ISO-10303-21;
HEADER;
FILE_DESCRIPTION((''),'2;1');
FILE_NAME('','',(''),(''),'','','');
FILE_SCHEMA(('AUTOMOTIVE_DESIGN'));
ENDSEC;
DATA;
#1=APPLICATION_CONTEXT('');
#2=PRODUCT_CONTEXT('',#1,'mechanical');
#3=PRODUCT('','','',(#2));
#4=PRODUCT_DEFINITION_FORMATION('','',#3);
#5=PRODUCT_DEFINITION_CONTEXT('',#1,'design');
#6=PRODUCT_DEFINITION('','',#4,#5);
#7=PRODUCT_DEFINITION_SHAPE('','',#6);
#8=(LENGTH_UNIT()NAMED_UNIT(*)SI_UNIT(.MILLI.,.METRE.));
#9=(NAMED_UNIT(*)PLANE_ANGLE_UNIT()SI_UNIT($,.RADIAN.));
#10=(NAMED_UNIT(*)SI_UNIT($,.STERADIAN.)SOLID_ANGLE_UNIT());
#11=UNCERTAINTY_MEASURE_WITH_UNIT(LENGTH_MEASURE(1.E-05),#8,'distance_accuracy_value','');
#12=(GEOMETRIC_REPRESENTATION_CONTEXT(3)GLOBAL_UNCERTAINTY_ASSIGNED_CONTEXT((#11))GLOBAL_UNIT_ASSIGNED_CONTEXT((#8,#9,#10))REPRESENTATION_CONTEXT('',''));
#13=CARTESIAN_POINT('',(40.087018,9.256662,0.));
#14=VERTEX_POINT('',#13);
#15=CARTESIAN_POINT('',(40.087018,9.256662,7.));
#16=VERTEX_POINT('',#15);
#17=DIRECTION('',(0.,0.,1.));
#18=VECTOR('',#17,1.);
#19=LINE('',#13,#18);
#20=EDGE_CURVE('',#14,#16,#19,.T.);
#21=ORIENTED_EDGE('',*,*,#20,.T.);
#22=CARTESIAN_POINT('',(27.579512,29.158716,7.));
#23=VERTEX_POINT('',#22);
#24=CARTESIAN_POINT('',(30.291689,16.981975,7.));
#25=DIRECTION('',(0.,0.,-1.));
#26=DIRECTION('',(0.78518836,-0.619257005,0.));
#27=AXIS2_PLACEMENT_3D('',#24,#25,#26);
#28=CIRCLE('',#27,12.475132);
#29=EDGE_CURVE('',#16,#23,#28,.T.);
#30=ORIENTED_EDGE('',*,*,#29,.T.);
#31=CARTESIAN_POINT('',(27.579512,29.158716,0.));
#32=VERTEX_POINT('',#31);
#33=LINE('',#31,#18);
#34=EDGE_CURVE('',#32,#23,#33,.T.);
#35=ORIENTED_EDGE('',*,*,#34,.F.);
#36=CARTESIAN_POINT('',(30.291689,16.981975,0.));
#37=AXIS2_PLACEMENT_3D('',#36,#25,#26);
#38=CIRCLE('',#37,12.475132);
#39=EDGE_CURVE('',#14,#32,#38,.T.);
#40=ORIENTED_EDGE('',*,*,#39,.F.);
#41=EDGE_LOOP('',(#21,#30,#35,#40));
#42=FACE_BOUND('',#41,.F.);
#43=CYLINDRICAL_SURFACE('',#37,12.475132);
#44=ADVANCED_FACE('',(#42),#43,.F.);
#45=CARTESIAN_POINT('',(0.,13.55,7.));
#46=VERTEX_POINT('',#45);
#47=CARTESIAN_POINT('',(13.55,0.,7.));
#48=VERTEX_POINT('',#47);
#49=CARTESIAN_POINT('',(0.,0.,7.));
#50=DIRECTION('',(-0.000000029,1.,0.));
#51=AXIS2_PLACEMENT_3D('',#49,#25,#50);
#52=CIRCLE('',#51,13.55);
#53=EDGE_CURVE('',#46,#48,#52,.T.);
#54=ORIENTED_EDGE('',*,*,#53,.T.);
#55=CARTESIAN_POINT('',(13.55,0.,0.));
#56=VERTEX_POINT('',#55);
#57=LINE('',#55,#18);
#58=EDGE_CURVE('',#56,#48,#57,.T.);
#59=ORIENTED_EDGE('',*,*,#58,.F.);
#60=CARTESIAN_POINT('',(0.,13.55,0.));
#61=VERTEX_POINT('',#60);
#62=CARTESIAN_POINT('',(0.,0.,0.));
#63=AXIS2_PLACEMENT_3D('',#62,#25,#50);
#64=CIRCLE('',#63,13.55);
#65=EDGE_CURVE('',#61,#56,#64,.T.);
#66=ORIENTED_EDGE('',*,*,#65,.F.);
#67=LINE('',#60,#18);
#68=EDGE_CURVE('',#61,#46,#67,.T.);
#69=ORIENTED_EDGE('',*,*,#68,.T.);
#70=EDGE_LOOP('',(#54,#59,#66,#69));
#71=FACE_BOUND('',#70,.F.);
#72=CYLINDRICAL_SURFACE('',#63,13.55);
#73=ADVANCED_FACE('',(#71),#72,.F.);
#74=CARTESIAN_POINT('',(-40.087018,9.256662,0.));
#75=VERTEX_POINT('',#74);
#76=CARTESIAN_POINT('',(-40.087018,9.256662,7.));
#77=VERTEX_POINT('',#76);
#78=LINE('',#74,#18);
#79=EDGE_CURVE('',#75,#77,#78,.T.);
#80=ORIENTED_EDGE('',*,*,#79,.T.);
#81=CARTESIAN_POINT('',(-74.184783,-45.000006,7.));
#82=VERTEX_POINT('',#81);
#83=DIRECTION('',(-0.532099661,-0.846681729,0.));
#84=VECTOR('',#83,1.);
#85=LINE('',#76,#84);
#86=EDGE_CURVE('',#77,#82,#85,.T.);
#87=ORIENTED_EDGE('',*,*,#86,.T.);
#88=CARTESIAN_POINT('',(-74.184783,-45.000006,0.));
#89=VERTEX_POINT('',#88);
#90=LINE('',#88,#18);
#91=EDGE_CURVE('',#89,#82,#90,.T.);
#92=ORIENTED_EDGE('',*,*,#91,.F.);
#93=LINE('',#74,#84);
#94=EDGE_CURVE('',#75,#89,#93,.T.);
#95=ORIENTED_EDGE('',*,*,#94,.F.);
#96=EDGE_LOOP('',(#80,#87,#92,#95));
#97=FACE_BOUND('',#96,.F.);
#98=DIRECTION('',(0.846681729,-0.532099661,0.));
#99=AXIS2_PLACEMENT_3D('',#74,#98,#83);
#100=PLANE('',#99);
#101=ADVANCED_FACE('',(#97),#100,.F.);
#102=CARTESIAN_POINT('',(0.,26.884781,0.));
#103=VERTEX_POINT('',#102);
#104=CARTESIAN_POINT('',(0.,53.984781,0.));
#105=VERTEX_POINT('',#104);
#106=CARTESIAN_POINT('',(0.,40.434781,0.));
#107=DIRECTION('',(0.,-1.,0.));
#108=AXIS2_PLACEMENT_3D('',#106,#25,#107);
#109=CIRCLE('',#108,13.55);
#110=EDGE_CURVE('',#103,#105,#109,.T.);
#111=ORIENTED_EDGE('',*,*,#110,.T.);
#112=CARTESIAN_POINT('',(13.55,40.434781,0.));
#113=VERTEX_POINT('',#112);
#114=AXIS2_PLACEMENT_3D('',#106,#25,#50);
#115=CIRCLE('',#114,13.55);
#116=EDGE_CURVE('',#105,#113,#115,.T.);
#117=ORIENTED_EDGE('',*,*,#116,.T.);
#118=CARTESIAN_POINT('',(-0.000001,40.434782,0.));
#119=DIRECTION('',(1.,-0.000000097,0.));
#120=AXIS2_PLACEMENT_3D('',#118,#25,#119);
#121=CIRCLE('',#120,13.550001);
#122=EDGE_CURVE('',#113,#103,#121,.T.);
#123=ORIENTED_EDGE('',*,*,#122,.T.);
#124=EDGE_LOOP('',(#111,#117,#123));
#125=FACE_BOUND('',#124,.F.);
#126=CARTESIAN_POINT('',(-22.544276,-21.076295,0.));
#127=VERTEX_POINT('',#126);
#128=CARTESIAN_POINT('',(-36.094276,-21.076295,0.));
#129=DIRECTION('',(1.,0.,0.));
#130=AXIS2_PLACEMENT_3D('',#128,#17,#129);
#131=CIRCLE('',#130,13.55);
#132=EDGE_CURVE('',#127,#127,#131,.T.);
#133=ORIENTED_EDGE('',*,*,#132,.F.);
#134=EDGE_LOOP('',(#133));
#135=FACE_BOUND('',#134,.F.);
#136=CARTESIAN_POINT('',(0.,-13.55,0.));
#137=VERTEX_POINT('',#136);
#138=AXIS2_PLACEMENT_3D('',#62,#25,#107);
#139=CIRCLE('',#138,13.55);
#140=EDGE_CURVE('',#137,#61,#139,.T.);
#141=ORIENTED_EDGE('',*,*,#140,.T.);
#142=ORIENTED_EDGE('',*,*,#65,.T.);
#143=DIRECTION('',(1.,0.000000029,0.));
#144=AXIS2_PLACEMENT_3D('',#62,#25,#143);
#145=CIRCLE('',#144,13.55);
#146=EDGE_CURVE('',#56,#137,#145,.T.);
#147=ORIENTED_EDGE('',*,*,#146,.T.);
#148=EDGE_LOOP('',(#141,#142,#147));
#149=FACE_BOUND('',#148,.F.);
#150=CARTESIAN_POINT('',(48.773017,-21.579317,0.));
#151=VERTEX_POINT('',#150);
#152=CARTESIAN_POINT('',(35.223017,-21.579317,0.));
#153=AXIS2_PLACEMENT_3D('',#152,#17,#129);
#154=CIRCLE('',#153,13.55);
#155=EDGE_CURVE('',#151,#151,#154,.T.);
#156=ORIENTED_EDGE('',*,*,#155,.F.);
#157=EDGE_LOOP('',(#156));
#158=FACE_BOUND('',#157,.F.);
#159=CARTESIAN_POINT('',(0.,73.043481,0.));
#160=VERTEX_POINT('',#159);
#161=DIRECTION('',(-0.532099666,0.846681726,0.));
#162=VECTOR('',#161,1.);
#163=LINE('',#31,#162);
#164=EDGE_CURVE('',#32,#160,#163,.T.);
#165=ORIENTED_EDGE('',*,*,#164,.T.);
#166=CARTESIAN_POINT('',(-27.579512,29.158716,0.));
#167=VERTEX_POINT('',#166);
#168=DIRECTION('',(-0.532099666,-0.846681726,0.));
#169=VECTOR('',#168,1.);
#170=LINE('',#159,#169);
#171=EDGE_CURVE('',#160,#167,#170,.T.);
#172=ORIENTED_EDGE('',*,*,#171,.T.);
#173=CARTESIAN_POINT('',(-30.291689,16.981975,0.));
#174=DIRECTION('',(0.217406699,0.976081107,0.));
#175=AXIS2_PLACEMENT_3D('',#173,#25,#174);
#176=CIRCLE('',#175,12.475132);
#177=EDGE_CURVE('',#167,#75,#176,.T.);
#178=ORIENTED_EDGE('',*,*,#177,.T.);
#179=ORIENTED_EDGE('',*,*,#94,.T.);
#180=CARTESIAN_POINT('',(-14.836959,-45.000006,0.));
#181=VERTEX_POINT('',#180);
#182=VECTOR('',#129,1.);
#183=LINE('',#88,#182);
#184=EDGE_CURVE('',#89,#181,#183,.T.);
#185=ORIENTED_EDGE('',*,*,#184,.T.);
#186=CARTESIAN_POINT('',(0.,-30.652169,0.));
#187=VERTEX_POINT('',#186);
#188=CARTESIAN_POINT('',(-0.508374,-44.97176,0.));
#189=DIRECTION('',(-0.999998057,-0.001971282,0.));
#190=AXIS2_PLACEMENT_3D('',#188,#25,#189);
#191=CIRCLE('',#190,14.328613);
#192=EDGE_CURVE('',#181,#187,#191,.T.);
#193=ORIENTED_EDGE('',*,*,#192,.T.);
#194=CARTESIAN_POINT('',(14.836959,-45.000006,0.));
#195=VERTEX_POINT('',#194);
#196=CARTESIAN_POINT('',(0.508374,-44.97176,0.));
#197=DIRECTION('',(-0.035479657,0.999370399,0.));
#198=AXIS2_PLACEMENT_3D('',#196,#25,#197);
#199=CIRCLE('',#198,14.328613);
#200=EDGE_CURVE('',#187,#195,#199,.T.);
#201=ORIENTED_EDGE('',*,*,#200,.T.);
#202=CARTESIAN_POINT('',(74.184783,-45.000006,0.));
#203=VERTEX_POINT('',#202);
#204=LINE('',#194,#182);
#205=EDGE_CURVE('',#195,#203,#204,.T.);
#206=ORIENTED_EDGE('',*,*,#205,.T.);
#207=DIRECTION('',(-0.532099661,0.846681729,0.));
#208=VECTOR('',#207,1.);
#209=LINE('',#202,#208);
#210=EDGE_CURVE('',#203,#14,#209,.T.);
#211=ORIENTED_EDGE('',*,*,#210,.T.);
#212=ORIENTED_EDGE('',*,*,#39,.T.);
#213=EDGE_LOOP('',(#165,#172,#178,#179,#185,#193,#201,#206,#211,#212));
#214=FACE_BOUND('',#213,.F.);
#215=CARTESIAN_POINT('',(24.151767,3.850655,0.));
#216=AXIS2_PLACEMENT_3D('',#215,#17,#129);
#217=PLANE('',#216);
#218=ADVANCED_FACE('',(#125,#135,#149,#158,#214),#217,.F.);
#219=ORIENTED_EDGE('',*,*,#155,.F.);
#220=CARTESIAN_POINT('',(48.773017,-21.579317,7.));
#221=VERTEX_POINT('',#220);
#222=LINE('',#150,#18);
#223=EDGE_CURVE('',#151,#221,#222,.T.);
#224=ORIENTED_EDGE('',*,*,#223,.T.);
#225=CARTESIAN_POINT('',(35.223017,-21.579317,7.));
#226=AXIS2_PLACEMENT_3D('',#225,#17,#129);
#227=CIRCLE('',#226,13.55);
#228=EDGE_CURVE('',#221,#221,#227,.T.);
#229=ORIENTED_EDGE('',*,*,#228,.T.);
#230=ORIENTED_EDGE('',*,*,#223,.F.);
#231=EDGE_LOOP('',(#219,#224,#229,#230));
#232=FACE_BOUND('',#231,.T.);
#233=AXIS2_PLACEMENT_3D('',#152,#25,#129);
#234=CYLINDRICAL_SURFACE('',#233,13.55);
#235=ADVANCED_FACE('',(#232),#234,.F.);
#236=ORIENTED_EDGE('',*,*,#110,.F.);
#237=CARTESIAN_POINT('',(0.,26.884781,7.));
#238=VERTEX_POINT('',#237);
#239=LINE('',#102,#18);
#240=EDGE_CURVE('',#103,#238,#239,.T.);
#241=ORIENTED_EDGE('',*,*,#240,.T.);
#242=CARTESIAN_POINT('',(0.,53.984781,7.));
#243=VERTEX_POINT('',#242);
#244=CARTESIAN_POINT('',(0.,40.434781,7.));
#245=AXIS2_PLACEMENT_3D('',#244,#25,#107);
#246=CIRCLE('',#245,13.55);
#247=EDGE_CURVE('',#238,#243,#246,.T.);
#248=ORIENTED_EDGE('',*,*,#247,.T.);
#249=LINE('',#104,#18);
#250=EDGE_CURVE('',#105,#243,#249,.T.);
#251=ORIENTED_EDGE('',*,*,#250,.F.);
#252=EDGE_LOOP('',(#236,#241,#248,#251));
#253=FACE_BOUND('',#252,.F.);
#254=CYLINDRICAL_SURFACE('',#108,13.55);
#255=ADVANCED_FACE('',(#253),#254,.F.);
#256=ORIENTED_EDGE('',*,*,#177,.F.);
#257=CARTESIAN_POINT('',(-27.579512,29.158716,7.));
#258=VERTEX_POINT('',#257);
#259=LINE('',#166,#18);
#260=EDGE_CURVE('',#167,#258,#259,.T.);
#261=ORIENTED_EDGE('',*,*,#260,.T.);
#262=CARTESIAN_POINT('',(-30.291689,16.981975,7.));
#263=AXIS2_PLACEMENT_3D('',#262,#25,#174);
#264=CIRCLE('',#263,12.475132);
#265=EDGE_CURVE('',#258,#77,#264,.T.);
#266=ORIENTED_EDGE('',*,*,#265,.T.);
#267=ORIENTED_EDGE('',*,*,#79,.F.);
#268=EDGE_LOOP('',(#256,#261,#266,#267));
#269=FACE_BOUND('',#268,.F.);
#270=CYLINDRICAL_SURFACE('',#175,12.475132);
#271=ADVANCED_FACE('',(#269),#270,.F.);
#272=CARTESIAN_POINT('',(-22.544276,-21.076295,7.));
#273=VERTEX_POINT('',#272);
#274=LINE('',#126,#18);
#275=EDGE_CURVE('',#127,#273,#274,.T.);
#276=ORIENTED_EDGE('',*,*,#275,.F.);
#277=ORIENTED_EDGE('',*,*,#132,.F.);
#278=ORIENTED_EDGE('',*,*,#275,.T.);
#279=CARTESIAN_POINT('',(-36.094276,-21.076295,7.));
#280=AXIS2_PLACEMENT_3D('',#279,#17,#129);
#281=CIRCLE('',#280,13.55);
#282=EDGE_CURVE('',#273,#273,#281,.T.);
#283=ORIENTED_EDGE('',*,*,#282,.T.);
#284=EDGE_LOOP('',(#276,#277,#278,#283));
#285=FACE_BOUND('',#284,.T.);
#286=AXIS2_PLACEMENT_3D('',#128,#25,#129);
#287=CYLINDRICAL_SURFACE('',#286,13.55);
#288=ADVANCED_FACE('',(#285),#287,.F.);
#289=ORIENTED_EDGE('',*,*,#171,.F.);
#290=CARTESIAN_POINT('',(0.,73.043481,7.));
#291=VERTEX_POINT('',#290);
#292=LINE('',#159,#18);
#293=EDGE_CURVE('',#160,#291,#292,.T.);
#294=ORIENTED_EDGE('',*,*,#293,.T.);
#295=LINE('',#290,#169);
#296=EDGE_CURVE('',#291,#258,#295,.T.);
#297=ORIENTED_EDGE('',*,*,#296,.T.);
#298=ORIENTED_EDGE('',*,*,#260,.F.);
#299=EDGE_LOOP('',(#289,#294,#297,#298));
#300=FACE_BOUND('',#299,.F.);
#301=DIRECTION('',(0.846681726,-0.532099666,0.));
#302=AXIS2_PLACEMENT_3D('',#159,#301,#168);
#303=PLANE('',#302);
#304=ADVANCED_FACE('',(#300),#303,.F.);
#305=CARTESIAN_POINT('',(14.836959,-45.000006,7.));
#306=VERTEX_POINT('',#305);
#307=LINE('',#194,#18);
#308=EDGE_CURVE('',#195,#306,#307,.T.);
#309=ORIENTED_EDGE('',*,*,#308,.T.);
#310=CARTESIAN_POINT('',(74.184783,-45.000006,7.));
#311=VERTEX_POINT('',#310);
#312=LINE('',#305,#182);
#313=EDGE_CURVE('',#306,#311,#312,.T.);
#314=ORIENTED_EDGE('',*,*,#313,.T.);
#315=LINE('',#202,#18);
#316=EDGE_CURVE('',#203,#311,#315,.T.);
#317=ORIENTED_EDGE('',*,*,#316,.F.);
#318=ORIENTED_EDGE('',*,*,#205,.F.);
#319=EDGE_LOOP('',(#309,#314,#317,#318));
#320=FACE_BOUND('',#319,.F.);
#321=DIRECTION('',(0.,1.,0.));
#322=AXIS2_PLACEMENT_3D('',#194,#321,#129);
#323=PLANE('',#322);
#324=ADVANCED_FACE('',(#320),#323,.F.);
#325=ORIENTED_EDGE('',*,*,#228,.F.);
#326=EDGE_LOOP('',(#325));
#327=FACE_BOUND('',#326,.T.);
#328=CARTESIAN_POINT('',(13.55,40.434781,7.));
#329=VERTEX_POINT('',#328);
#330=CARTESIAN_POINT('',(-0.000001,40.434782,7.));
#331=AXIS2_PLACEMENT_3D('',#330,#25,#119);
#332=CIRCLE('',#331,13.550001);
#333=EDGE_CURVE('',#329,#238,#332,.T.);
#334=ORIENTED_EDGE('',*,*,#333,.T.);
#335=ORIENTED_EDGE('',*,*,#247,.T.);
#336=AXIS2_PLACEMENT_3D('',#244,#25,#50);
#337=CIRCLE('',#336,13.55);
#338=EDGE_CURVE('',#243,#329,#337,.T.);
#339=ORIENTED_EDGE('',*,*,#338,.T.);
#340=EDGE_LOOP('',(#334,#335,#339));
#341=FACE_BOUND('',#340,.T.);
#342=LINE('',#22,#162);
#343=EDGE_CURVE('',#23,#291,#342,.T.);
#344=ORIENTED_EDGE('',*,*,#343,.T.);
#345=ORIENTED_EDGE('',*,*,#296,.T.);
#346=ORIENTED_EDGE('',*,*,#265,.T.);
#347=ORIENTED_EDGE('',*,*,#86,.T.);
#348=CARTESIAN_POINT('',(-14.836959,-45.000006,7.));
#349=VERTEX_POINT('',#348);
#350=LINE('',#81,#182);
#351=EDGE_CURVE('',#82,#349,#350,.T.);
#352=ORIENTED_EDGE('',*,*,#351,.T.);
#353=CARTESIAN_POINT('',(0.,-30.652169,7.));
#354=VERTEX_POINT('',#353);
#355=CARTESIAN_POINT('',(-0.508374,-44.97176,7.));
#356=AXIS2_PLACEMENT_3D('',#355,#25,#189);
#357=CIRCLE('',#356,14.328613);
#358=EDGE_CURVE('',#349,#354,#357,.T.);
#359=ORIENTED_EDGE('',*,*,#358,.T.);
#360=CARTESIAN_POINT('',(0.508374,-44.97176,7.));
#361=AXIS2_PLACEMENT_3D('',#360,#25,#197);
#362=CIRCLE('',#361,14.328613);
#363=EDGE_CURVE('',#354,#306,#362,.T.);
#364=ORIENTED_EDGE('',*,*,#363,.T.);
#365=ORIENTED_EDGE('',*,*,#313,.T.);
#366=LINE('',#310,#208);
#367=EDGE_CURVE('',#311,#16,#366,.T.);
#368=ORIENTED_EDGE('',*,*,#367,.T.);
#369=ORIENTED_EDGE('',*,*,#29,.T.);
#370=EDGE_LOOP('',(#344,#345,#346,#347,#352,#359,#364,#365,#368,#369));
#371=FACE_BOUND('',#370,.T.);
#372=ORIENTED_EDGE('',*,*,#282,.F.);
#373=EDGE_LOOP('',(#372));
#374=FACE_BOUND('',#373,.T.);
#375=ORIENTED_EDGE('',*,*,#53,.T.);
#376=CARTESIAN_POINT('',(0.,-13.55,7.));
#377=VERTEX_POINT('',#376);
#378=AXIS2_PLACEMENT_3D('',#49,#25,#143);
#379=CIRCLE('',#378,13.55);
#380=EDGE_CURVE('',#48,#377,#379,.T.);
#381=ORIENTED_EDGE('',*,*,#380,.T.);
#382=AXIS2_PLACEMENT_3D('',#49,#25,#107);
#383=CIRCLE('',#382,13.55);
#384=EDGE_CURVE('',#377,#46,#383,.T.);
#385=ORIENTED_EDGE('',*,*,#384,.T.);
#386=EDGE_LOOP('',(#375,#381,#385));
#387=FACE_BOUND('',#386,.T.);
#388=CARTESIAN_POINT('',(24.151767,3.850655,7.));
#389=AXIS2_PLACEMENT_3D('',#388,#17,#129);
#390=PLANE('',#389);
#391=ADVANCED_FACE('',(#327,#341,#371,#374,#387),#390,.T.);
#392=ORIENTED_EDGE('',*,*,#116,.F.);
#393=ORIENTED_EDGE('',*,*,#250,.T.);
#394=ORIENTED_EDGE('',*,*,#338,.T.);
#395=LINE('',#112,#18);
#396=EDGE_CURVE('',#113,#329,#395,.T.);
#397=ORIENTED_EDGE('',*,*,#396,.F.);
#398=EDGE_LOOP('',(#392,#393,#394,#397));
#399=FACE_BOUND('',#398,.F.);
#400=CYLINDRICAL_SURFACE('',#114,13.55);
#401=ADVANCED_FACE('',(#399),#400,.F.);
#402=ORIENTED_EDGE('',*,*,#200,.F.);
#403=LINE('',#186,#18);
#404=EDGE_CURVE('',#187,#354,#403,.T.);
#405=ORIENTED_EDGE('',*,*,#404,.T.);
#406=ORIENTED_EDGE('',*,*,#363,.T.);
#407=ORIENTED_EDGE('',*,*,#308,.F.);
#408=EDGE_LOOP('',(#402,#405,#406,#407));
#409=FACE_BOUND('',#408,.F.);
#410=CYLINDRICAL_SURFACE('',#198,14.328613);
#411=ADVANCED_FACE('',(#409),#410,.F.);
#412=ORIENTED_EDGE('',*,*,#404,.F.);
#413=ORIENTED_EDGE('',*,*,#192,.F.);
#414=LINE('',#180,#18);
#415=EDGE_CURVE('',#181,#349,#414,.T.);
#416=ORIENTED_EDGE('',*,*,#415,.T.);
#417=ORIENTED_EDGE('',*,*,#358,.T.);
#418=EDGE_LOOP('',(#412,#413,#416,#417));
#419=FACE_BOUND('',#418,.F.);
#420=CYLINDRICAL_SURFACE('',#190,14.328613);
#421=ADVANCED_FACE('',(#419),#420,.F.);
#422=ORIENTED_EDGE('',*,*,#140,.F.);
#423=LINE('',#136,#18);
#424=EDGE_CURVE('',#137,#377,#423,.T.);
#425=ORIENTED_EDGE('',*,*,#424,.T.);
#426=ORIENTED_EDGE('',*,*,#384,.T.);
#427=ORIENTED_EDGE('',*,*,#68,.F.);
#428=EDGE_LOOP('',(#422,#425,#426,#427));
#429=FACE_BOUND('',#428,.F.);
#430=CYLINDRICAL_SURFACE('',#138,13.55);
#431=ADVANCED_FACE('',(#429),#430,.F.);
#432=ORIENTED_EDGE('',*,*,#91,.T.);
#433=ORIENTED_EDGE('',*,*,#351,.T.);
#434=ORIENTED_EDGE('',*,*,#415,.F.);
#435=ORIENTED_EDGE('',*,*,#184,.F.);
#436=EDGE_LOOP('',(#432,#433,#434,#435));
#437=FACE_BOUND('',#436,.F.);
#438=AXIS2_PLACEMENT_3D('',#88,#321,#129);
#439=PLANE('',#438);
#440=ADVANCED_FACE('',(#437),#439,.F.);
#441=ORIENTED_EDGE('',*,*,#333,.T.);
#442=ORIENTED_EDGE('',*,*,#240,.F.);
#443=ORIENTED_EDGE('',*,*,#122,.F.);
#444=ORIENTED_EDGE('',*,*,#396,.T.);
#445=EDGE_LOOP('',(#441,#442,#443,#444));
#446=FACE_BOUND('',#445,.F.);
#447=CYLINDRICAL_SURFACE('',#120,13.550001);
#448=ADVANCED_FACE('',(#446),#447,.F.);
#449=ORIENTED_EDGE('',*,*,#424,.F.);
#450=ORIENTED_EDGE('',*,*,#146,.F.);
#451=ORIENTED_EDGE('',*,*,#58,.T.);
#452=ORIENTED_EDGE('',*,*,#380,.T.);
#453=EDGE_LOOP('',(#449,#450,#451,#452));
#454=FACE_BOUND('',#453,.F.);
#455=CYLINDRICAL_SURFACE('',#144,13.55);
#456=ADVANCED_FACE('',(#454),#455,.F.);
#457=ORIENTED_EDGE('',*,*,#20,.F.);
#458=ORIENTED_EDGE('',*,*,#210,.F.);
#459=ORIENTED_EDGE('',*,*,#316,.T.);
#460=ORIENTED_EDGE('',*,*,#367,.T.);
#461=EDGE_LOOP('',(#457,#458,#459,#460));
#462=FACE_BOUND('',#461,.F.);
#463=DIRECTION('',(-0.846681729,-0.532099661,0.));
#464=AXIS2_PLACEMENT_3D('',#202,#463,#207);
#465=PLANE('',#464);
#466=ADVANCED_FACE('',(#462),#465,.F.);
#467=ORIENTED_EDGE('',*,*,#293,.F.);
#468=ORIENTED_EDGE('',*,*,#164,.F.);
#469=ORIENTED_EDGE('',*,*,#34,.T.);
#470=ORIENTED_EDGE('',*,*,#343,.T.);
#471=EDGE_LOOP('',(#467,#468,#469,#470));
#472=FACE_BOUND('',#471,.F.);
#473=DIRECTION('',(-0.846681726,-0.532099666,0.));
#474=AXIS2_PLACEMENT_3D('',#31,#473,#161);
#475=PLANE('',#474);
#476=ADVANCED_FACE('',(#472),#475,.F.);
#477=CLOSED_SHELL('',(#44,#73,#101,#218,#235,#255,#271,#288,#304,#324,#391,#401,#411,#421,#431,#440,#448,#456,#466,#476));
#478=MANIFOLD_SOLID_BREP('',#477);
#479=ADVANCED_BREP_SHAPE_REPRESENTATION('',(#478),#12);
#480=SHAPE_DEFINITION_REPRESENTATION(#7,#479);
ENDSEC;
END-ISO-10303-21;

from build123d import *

# Parameters (mm, degrees)
F0_R     = 13.55
F1_DEPTH = 7


with BuildPart() as f1:
    # F0 (on Top) → F1 (new body)
    with BuildSketch(Plane.XY):
        with BuildLine():
            Line((0, 26.884781), (0, 13.55))
            ThreePointArc((0, 13.55), (9.581297, 9.581297), (13.55, 0))
            ThreePointArc((13.55, 0), (9.581297, -9.581297), (0, -13.55))
            Line((0, -13.55), (0, -30.652169))
            ThreePointArc((0, -30.652169), (10.46903, -34.671543), (14.836959, -45.000006))
            Line((14.836959, -45.000006), (74.184783, -45.000006))
            Line((74.184783, -45.000006), (40.087018, 9.256662))
            ThreePointArc((40.087018, 9.256662), (19.729223, 10.343961), (27.579512, 29.158716))
            Line((27.579512, 29.158716), (0, 73.043481))
            Line((0, 73.043481), (0, 53.984781))
            ThreePointArc((0, 53.984781), (9.581297, 50.016078), (13.55, 40.434781))
            ThreePointArc((13.55, 40.434781), (9.581297, 30.853485), (0, 26.884781))
        make_face()
        with Locations((35.223017, -21.579317)):
            Circle(F0_R, mode=Mode.SUBTRACT)
        with BuildLine():
            ThreePointArc((0, -13.55), (-13.55, 0), (0, 13.55))
            Line((0, 13.55), (0, 26.884781))
            ThreePointArc((0, 26.884781), (-13.55, 40.434781), (0, 53.984781))
            Line((0, 53.984781), (0, 73.043481))
            Line((0, 73.043481), (-27.579512, 29.158716))
            ThreePointArc((-27.579512, 29.158716), (-19.729223, 10.343961), (-40.087018, 9.256662))
            Line((-40.087018, 9.256662), (-74.184783, -45.000006))
            Line((-74.184783, -45.000006), (-14.836959, -45.000006))
            ThreePointArc((-14.836959, -45.000006), (-10.46903, -34.671543), (0, -30.652169))
            Line((0, -30.652169), (0, -13.55))
        make_face()
        with Locations((-36.094276, -21.076295)):
            Circle(F0_R, mode=Mode.SUBTRACT)
    extrude(amount=F1_DEPTH)


solid = f1.part
